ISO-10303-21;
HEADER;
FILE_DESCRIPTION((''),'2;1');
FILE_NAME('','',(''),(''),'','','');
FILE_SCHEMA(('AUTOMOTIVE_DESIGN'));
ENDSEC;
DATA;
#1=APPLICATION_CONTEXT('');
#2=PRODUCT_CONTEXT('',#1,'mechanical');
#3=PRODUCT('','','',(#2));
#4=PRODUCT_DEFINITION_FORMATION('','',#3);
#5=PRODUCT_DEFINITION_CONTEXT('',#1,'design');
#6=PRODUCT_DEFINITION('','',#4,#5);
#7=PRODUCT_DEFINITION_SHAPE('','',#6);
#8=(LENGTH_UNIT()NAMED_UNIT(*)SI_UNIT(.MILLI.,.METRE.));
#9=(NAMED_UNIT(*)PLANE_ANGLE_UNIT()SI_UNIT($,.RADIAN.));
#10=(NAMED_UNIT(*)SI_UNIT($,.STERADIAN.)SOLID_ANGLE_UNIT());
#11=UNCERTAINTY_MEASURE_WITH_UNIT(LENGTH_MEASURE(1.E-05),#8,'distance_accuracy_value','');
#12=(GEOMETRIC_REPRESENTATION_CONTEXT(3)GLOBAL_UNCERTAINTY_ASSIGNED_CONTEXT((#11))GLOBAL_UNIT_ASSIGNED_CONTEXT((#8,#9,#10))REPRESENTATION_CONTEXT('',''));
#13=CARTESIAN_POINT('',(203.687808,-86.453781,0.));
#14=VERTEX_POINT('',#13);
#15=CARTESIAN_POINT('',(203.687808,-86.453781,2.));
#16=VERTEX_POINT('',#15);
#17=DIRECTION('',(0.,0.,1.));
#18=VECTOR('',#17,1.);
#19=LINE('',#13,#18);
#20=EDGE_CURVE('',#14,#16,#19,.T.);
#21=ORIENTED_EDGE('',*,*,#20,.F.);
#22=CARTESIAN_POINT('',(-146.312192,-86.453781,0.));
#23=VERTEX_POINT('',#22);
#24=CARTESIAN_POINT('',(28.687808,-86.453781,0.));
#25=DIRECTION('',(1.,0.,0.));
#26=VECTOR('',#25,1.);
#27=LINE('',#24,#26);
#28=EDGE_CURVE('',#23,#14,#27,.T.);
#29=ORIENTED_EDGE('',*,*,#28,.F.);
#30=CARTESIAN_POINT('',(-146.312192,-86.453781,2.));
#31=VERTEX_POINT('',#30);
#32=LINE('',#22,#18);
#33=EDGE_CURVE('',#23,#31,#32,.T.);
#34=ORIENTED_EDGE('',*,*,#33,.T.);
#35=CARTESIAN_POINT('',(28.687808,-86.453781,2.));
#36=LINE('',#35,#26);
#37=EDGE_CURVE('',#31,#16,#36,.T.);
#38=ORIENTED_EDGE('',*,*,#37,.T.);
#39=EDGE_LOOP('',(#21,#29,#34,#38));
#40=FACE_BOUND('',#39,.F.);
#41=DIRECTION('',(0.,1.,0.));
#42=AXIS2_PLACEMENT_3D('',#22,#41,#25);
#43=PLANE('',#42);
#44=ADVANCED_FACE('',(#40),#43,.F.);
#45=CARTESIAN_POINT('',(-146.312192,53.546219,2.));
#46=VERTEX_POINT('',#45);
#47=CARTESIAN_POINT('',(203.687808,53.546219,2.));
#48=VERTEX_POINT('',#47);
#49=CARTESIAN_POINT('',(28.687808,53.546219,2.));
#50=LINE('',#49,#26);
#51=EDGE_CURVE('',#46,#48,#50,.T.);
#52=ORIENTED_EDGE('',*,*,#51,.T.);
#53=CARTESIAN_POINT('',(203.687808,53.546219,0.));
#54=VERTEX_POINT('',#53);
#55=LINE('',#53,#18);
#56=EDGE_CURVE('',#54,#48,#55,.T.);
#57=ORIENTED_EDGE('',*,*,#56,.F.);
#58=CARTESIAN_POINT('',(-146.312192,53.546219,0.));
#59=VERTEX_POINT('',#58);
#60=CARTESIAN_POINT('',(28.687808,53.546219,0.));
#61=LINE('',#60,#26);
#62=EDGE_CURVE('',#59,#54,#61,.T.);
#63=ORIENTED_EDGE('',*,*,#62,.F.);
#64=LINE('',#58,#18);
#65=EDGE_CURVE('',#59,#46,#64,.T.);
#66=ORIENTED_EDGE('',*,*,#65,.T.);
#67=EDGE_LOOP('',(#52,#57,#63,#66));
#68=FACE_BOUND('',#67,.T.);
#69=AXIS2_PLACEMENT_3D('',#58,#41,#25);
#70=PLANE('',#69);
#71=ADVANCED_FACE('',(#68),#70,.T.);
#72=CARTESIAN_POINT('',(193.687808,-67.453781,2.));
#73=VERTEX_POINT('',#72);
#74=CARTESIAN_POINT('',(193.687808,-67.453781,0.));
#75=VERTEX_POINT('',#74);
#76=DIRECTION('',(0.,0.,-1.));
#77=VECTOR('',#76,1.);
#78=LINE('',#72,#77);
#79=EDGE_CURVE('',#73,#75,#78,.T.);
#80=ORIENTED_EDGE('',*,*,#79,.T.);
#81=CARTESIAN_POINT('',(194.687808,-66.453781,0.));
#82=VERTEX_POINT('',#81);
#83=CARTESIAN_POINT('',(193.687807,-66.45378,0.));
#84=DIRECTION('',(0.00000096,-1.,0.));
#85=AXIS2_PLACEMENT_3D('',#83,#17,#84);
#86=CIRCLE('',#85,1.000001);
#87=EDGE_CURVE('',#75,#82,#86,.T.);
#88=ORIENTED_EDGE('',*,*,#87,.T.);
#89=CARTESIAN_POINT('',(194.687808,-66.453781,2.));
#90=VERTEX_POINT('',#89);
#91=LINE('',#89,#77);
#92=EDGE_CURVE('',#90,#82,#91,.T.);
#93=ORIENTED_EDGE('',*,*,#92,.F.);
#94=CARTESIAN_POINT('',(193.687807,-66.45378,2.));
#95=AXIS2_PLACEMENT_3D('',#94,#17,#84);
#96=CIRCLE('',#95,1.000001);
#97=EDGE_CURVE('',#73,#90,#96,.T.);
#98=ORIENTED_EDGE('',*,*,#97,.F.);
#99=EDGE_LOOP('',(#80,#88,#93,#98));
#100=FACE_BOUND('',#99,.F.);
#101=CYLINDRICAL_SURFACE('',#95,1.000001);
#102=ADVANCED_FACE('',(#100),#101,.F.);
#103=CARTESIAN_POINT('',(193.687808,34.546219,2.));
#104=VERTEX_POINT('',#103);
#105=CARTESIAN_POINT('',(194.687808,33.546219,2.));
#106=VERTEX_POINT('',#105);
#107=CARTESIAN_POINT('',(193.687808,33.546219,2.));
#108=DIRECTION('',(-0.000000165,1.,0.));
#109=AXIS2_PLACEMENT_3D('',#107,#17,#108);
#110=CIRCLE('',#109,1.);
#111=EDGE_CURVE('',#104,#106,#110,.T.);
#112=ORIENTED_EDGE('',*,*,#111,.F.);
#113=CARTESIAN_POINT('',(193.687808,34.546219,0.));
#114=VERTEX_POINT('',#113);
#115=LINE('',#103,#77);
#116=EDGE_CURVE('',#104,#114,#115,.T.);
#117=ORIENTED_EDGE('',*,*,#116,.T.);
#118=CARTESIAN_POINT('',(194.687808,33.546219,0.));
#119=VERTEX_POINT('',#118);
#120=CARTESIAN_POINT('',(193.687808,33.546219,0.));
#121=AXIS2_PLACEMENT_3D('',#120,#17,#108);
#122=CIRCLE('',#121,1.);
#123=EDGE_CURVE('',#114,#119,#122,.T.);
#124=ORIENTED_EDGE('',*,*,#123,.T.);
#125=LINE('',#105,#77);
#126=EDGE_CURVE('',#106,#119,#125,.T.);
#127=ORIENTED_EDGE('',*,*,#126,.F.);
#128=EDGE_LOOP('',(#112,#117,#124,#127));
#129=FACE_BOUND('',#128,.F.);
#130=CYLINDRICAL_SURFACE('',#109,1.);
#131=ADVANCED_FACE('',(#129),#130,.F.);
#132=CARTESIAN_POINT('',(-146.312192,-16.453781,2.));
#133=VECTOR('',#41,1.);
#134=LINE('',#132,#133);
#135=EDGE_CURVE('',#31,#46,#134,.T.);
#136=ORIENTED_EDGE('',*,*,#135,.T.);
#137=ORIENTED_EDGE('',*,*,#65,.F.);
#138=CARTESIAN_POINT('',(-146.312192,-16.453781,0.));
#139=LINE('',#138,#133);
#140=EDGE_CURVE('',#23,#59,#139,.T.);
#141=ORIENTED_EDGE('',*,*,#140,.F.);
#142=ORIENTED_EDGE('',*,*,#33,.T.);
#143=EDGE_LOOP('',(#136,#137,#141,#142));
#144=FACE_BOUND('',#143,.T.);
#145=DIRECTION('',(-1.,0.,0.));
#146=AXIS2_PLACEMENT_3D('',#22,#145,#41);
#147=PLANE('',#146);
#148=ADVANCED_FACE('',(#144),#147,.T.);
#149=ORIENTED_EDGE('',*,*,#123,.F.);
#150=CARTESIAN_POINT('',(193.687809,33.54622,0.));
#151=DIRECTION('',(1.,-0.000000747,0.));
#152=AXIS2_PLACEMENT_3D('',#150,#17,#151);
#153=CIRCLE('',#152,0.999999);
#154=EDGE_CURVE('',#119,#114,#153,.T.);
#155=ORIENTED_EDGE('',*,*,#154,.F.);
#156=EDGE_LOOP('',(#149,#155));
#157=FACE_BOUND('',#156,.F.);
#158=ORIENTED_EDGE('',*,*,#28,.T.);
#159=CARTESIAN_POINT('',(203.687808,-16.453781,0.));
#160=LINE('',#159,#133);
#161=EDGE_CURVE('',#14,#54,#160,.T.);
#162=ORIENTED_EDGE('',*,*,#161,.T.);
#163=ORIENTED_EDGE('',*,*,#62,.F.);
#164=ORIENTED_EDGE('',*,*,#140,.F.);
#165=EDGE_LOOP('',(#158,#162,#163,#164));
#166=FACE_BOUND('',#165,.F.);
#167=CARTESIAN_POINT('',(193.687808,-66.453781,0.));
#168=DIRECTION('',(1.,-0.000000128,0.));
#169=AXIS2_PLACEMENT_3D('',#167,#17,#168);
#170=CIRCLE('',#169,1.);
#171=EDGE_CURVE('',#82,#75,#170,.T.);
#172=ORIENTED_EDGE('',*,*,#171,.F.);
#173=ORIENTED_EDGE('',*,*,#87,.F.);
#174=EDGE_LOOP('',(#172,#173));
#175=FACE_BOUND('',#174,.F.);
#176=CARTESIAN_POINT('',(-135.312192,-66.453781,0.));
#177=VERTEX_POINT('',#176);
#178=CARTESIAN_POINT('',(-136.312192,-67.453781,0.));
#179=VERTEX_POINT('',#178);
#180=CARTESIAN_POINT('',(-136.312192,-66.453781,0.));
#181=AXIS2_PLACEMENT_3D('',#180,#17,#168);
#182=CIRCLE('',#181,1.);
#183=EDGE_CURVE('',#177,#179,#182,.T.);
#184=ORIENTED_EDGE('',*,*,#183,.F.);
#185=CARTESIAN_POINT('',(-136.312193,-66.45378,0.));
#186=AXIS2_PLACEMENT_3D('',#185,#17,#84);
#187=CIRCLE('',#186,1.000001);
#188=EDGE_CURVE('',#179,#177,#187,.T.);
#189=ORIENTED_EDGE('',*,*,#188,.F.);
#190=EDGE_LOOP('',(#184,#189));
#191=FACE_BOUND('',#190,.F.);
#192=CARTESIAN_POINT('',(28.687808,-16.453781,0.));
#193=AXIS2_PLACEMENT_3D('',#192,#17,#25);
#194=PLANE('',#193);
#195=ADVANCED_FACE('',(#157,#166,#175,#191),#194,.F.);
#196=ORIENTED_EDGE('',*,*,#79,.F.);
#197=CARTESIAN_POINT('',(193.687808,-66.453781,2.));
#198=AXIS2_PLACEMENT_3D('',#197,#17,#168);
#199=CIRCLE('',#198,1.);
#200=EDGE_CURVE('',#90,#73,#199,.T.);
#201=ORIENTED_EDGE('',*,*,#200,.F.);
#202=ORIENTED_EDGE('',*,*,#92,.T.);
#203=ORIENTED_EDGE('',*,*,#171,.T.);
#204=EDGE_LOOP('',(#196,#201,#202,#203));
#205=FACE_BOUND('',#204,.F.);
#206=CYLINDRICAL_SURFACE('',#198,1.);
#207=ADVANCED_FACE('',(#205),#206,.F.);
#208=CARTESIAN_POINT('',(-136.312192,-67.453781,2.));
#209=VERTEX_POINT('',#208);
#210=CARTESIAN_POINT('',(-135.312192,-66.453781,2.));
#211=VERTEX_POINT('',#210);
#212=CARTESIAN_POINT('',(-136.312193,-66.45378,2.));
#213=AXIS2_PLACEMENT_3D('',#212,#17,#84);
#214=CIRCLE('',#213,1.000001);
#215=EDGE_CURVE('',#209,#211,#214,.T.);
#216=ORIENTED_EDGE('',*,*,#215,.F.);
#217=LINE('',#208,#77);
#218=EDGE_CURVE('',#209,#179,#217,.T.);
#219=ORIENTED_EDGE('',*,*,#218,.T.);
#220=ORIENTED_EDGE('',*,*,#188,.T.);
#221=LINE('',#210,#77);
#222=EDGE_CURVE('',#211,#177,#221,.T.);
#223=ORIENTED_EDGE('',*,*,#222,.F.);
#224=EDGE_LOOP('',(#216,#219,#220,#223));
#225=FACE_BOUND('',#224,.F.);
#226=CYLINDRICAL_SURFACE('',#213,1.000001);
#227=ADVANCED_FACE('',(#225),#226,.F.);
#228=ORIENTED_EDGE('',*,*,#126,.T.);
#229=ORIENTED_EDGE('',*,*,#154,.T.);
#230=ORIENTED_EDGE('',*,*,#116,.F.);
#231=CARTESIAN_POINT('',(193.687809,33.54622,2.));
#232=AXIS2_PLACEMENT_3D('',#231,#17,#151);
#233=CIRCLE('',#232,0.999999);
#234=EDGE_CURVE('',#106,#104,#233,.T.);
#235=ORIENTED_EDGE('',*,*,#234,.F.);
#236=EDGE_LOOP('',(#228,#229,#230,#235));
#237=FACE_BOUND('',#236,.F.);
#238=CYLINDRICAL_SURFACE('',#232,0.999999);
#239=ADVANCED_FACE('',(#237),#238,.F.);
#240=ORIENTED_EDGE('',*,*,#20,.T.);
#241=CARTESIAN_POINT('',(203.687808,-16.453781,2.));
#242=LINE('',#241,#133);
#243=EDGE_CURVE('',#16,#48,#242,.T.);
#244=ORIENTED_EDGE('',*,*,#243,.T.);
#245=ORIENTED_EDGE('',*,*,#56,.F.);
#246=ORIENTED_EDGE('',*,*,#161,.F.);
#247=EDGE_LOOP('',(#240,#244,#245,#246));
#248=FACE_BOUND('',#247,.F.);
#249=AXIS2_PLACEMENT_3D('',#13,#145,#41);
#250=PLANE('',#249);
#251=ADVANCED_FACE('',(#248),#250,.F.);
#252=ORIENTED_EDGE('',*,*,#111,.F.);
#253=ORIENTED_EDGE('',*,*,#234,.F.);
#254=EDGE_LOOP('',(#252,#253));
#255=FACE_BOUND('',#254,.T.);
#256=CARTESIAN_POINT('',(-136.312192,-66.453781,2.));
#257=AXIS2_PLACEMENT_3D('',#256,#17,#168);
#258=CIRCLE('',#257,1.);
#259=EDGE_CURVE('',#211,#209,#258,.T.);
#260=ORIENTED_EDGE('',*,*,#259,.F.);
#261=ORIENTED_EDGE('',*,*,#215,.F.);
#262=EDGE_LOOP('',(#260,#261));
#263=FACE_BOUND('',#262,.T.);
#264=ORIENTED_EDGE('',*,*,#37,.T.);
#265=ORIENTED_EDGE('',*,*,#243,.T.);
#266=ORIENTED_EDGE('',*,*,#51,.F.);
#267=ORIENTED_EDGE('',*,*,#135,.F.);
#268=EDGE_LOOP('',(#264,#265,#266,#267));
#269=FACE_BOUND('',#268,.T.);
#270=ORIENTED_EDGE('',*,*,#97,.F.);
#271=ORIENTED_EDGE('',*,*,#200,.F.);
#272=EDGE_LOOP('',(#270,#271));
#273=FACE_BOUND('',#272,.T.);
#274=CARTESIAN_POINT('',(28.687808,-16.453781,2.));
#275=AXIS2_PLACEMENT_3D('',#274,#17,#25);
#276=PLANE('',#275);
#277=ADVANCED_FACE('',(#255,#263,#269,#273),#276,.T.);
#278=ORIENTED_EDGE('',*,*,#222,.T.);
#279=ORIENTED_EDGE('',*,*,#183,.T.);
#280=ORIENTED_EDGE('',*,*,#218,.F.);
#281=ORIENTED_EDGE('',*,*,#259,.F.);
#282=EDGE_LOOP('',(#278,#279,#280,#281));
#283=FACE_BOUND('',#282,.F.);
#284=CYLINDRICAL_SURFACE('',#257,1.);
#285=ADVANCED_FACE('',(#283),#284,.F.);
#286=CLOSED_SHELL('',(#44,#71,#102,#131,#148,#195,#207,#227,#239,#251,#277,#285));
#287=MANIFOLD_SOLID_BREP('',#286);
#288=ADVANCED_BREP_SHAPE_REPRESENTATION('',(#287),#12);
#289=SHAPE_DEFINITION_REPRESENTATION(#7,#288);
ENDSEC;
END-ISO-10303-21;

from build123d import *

# Parameters (mm, degrees)
F0_W     = 350
F0_H     = 140
F1_DEPTH = 2
F3_DEPTH = 25
F5_DEPTH = 25
F7_DEPTH = 25


with BuildPart() as f1:
    # F0 (on Top) → F1 (new body)
    with BuildSketch(Plane.XY):
        with Locations((28.687808, -16.453781)):
            Rectangle(F0_W, F0_H)
    extrude(amount=F1_DEPTH)

    # F2 (on face) → F3 (cut)
    with BuildSketch(Plane.XY.offset(2)):
        with BuildLine():
            ThreePointArc((-135.312192, -66.453781), (-137.019299, -65.746674), (-136.312192, -67.453781))
            ThreePointArc((-136.312192, -67.453781), (-135.605085, -67.160887), (-135.312192, -66.453781))
        make_face()
    extrude(amount=-F3_DEPTH, mode=Mode.SUBTRACT)

    # F4 (on face) → F5 (cut)
    with BuildSketch(Plane.XY.offset(2)):
        with BuildLine():
            ThreePointArc((194.687808, 33.546219), (194.394915, 34.253326), (193.687808, 34.546219))
            ThreePointArc((193.687808, 34.546219), (192.980701, 32.839113), (194.687808, 33.546219))
        make_face()
    extrude(amount=-F5_DEPTH, mode=Mode.SUBTRACT)

    # F6 (on face) → F7 (cut)
    with BuildSketch(Plane.XY.offset(2)):
        with BuildLine():
            ThreePointArc((194.687808, -66.453781), (192.980701, -65.746674), (193.687808, -67.453781))
            ThreePointArc((193.687808, -67.453781), (194.394915, -67.160887), (194.687808, -66.453781))
        make_face()
    extrude(amount=-F7_DEPTH, mode=Mode.SUBTRACT)


solid = f1.part
